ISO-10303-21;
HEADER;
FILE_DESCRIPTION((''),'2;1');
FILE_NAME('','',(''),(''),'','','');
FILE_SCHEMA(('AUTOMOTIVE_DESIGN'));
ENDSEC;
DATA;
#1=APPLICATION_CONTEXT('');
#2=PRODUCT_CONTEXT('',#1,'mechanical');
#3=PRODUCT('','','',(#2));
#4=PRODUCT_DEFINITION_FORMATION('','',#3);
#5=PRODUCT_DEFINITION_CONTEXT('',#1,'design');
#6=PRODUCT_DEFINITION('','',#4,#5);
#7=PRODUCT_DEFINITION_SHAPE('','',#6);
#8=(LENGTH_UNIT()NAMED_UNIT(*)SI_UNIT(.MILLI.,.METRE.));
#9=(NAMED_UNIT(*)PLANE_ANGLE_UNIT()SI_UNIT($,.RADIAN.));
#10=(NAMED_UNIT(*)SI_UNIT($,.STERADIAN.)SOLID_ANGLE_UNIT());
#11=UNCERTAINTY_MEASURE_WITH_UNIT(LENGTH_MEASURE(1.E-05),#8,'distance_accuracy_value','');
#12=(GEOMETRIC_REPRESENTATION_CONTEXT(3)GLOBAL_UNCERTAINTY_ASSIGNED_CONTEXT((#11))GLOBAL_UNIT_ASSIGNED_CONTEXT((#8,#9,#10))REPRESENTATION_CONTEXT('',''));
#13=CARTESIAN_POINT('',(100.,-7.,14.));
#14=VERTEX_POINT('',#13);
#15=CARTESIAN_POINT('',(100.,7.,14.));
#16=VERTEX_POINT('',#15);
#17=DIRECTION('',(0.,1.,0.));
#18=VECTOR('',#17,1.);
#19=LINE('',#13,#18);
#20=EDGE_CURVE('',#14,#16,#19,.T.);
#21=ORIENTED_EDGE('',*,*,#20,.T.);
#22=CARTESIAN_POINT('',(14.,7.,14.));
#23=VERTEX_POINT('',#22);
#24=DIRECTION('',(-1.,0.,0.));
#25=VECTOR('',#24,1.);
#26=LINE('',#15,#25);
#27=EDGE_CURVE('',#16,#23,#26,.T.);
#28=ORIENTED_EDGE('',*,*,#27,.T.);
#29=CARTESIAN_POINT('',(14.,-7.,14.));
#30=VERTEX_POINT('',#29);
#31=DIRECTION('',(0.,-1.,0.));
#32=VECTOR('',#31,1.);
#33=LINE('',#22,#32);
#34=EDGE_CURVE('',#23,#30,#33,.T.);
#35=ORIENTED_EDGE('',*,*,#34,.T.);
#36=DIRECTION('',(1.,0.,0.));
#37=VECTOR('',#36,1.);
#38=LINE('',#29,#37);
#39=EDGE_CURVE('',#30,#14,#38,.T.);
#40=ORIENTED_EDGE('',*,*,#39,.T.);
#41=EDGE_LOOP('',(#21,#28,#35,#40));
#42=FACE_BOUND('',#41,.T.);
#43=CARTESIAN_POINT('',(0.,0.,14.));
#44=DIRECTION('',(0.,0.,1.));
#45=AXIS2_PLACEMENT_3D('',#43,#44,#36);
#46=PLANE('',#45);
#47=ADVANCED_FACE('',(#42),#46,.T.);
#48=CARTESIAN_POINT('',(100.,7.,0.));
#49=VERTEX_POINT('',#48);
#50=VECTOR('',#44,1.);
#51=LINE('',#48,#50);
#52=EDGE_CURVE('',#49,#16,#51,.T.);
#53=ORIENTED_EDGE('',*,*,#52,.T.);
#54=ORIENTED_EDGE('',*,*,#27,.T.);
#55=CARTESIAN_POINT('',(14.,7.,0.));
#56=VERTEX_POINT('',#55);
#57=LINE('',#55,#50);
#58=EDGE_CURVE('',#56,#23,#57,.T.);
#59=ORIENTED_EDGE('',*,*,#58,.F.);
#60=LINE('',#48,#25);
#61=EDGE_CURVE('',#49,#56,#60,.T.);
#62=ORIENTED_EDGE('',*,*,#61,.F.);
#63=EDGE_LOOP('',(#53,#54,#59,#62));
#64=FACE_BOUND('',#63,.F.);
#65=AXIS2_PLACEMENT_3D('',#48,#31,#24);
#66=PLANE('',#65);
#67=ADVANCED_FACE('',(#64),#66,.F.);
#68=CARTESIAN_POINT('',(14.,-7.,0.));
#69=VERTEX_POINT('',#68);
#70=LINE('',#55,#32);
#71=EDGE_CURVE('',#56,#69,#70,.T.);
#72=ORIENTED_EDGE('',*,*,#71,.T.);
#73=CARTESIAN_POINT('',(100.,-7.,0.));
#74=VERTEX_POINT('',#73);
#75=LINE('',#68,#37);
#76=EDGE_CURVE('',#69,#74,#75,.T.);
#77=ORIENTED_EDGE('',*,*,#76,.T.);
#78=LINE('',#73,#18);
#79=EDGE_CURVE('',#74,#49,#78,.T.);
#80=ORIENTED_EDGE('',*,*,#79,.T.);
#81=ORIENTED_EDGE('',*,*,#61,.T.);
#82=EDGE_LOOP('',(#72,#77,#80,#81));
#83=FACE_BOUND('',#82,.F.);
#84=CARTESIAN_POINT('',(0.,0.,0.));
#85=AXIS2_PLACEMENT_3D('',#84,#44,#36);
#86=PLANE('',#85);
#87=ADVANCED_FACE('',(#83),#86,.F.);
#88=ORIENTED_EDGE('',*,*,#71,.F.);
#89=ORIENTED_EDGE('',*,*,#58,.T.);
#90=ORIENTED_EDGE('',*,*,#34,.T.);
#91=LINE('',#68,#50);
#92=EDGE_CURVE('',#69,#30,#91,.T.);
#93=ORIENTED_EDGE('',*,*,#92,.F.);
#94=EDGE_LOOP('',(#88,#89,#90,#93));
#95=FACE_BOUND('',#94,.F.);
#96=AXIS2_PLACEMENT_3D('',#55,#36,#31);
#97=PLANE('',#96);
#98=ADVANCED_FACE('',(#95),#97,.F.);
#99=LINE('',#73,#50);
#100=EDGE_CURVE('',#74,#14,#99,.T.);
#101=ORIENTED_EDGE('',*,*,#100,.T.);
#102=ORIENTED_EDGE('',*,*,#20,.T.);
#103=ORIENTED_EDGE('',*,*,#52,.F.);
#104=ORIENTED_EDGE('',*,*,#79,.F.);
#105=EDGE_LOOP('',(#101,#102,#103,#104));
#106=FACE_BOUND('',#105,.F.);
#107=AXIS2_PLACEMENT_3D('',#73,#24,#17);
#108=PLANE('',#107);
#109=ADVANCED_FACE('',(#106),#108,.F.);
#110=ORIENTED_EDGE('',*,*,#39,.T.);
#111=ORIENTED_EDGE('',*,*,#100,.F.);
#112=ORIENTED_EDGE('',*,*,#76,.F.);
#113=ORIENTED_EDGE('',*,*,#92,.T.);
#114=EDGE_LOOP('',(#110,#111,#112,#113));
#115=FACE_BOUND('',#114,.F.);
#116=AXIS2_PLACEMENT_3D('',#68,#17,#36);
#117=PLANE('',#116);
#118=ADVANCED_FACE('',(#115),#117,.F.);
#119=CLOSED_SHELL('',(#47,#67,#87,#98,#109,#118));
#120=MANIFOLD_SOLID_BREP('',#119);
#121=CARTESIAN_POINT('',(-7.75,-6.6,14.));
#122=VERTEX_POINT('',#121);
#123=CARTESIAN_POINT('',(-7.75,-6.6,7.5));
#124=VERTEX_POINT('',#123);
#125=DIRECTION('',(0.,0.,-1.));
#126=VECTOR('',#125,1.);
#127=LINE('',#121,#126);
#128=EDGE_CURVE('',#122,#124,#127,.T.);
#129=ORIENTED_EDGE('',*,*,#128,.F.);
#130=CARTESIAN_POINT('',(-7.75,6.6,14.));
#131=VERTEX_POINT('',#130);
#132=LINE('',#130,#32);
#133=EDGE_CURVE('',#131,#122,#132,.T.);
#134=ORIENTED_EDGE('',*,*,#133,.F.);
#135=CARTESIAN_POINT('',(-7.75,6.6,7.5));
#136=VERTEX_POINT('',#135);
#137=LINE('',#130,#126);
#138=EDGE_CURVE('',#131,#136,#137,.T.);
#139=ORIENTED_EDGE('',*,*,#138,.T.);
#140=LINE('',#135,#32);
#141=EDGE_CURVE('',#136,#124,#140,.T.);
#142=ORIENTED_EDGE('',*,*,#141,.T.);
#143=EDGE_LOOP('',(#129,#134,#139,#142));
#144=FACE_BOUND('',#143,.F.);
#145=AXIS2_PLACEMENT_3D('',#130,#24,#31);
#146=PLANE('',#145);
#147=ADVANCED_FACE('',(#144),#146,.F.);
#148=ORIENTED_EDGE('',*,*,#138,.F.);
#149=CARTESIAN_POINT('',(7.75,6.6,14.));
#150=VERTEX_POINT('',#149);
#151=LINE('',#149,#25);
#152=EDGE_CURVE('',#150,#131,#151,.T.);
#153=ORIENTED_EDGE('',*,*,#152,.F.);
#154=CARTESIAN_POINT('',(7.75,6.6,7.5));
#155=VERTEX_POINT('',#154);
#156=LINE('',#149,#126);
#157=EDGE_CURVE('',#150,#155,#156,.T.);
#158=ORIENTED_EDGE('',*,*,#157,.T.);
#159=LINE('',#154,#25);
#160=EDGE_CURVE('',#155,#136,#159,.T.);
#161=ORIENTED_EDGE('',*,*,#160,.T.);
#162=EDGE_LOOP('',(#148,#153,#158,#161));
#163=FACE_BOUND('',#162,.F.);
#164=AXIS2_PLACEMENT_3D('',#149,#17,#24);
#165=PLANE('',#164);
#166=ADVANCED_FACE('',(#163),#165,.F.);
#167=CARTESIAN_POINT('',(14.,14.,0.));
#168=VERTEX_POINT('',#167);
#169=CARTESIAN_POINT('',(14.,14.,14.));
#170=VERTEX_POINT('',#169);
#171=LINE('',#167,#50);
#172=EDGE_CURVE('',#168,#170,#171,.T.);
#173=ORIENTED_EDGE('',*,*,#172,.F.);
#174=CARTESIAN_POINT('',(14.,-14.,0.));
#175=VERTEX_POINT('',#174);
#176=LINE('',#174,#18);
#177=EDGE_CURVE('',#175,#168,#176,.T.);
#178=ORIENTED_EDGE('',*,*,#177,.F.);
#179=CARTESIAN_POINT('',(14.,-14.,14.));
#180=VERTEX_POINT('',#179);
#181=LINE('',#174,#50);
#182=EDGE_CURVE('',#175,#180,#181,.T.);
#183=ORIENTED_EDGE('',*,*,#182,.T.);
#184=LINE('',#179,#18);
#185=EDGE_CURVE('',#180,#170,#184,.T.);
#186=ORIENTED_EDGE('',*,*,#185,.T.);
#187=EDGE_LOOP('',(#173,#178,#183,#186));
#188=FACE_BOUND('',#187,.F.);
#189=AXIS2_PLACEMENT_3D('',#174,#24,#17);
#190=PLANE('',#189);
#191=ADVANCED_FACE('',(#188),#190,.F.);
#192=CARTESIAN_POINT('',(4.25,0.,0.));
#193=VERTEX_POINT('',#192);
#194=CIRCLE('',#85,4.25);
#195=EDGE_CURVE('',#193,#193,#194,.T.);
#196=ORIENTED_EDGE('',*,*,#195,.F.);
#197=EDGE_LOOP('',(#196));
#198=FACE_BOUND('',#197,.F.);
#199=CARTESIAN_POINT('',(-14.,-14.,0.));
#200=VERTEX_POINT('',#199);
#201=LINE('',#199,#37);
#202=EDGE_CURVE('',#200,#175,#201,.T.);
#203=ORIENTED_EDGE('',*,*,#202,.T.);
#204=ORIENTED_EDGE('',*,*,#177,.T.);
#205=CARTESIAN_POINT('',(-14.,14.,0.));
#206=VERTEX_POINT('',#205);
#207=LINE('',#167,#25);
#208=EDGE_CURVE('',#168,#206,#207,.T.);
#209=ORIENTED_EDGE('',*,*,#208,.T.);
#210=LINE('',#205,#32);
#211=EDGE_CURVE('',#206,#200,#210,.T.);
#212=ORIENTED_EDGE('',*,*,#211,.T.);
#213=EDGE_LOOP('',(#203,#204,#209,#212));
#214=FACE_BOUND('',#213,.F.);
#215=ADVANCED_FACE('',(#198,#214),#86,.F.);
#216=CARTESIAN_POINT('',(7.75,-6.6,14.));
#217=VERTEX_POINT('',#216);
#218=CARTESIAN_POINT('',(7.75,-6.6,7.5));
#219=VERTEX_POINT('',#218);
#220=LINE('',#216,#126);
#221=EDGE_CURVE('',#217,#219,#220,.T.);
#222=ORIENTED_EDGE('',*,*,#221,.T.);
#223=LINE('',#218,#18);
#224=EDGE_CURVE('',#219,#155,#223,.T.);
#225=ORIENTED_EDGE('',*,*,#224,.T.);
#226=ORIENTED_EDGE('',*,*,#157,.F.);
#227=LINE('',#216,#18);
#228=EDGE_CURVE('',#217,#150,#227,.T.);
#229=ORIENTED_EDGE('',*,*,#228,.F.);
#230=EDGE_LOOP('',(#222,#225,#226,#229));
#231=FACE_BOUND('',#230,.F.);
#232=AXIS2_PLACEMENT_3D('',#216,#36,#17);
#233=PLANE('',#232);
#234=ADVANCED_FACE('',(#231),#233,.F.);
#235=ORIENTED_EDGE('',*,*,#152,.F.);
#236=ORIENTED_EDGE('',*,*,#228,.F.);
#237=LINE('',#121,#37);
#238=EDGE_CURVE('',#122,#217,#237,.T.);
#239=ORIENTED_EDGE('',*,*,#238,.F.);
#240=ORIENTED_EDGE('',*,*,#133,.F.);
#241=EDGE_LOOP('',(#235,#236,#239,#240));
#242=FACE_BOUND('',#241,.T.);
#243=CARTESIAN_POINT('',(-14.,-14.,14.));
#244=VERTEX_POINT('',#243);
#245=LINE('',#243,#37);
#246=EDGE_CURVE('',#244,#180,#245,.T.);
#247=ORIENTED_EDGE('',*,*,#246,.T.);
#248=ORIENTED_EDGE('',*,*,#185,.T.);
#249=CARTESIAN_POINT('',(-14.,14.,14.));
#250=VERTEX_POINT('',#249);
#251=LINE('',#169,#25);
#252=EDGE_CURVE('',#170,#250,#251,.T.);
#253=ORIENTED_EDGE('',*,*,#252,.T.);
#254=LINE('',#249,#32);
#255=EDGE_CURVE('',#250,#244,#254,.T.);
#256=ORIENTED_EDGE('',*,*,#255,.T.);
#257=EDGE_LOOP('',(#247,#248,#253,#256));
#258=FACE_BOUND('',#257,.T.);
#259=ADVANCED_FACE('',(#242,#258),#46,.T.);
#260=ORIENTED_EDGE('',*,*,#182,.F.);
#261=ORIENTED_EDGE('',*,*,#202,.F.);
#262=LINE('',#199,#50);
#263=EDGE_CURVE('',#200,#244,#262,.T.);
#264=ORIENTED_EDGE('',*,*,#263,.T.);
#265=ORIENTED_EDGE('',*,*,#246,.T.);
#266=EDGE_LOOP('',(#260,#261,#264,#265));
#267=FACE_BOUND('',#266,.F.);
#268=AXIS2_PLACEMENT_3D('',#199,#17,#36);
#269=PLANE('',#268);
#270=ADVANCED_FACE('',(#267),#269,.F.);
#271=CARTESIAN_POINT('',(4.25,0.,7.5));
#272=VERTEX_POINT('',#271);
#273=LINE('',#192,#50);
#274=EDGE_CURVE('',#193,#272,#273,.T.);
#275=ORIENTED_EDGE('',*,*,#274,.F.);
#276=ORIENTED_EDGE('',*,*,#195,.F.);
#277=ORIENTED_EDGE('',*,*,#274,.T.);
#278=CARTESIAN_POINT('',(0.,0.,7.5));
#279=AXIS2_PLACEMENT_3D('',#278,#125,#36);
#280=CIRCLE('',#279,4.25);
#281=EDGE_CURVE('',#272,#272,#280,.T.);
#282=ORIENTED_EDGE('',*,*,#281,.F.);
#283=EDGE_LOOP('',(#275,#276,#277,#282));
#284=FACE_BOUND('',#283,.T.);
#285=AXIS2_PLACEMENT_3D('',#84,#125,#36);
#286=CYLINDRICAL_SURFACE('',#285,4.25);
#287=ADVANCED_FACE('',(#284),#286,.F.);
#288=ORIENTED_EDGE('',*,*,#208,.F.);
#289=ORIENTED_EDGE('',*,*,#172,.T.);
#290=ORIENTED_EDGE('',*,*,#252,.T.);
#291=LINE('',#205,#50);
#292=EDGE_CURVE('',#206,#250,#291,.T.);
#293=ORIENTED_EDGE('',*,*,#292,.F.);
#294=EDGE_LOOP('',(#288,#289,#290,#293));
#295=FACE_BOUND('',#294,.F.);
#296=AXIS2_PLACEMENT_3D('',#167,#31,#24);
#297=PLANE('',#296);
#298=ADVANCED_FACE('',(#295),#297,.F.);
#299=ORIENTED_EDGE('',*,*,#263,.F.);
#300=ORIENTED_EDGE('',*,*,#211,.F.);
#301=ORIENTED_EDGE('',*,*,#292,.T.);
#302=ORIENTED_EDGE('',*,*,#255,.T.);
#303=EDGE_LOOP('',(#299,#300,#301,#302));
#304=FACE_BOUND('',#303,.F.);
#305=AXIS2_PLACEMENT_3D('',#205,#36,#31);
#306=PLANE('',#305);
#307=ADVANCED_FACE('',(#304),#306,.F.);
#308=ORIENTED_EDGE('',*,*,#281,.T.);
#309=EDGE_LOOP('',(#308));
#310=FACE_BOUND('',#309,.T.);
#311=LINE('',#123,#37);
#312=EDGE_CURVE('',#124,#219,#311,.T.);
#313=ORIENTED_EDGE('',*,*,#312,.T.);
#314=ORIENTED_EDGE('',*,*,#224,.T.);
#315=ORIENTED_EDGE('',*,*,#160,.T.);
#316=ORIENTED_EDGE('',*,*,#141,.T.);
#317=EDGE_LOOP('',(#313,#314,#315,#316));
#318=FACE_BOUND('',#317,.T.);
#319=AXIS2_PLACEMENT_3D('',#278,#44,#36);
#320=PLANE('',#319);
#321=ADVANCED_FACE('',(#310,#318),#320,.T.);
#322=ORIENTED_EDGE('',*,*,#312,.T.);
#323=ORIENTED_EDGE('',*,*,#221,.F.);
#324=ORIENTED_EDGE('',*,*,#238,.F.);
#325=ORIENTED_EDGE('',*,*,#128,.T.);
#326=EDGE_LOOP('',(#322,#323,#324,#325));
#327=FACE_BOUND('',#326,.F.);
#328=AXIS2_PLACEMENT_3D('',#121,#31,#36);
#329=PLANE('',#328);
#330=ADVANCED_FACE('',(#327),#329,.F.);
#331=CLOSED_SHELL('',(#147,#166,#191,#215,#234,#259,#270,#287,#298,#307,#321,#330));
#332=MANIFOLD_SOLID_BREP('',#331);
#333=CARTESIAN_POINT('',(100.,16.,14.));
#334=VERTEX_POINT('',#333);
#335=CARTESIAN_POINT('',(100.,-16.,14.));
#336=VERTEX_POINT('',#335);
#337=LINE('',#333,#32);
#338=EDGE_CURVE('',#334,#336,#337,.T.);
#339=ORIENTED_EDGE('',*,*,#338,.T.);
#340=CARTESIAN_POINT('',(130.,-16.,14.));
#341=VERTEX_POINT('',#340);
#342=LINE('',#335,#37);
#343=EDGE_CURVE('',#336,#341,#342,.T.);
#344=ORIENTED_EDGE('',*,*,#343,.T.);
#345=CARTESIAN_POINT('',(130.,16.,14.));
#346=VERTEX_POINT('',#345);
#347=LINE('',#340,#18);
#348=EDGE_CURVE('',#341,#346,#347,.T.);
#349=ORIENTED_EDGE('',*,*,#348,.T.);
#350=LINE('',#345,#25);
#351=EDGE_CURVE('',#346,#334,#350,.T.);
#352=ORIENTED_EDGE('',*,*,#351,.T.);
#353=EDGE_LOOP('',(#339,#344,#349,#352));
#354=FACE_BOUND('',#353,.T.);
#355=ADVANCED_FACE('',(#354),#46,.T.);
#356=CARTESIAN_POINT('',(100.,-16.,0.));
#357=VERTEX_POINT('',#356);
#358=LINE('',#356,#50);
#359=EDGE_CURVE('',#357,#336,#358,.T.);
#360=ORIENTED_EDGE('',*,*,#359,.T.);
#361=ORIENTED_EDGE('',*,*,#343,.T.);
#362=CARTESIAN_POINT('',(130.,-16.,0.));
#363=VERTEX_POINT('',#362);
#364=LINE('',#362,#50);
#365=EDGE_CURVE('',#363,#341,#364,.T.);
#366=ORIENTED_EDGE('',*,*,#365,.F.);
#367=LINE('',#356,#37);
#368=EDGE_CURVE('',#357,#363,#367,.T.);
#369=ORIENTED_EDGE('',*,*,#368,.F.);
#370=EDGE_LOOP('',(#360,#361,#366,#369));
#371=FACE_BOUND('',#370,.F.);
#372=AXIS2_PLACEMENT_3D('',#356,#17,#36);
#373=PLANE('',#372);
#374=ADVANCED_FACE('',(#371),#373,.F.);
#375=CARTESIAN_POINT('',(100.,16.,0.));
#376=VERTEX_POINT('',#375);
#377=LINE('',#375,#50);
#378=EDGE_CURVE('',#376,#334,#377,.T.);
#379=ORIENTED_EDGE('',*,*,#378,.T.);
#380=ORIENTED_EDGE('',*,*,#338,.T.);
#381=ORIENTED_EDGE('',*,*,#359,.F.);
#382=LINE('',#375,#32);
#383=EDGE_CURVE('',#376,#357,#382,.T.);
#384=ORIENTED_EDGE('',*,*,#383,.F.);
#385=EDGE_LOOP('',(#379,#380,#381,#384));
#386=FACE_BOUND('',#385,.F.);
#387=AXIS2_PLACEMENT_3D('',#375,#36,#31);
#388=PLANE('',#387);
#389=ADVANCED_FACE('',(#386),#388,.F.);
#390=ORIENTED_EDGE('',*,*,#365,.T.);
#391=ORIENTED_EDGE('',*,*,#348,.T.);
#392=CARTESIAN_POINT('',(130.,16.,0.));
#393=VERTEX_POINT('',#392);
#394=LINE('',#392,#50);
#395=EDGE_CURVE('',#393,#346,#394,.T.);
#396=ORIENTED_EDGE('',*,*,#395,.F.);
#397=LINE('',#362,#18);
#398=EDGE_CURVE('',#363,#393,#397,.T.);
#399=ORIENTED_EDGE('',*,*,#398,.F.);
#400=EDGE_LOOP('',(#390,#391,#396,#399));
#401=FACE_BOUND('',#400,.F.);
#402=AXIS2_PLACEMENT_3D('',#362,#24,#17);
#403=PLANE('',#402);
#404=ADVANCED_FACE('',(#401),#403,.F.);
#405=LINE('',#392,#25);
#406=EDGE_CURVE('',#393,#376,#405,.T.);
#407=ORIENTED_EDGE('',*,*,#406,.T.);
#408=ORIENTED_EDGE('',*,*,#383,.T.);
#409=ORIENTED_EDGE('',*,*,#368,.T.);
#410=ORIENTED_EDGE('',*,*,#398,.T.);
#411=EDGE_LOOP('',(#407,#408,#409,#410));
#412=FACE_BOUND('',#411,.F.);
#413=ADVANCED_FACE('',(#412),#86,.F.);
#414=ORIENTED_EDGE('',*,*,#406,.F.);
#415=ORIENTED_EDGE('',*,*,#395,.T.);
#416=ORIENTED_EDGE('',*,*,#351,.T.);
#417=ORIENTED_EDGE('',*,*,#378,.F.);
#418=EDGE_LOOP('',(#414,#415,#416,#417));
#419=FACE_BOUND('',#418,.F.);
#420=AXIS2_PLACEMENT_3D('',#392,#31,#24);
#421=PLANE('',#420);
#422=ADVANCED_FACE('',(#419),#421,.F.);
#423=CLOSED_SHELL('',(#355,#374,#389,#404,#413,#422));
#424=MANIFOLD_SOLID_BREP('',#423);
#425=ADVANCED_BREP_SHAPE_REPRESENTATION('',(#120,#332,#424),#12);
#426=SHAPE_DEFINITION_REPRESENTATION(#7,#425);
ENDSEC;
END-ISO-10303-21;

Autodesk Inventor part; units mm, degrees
ref_plane "YZ Plane" through (0, 0, 0) normal (1, 0, 0) x (0, 1, 0)
sketch "Skizze1" plane through (0, 0, 0) normal (0, 0, 1) x (1, 0, 0)
  line L0 (-14, -14) -> (14, -14)
  line L1 (14, -14) -> (14, 14)
  line L2 (14, 14) -> (-14, 14)
  line L3 (-14, 14) -> (-14, -14)
extrude "Extrusion1" add sketch "Skizze1" along normal blind 14
sketch "Skizze2" plane through (0, 0, 0) normal (0, 0, 1) x (1, 0, 0)
  line L0 (14, -7) -> (100, -7)
  line L1 (100, -7) -> (100, 7)
  line L2 (100, 7) -> (14, 7)
  line L3 (14, 7) -> (14, -7)
extrude "Extrusion2" add sketch "Skizze2" along normal blind 14 separate body
sketch "Skizze3" plane through (0, 0, 0) normal (0, 0, 1) x (1, 0, 0)
  line L0 (100, -16) -> (130, -16)
  line L1 (130, -16) -> (130, 16)
  line L2 (130, 16) -> (100, 16)
  line L3 (100, 16) -> (100, -16)
extrude "Extrusion3" add sketch "Skizze3" along normal blind 14 separate body
sketch "Skizze4" plane through (0, 0, 0) normal (0, 0, 1) x (1, 0, 0)
  circle A0 centre (0, 0) radius 4.25
extrude "Extrusion4" cut sketch "Skizze4" along normal blind 15 bodies 1
ref_plane "Arbeitsebene1" through (0, 0, 14) normal (0, 0, 1) x (1, 0, 0)
sketch "Skizze5" plane through (0, 0, 14) normal (0, 0, 1) x (1, 0, 0)
  line L0 (-7.75, -6.6) -> (7.75, -6.6)
  line L1 (7.75, -6.6) -> (7.75, 6.6)
  line L2 (7.75, 6.6) -> (-7.75, 6.6)
  line L3 (-7.75, 6.6) -> (-7.75, -6.6)
extrude "Extrusion5" cut sketch "Skizze5" against normal blind 6.5 bodies 1
sketch "Skizze6" plane through (0, 0, 0) normal (0, 0, 1) x (1, 0, 0)
  line L0 (110.25, -7.75) -> (119.75, -7.75)
  line L1 (119.75, -7.75) -> (119.75, 7.75)
  line L2 (119.75, 7.75) -> (110.25, 7.75)
  line L3 (110.25, 7.75) -> (110.25, -7.75)
extrude "Extrusion6" cut sketch "Skizze6" along normal blind 3 bodies 1
sketch "Skizze7" plane through (0, 0, 0) normal (0, 0, 1) x (1, 0, 0)
  circle A0 centre (115, 0) radius 3
extrude "Extrusion7" cut sketch "Skizze7" along normal blind 15 bodies 1
sketch "Skizze8" plane through (0, 0, 0) normal (0, 0, 1) x (1, 0, 0)
  circle A0 centre (105, 0) radius 1.1
  circle A1 centre (125, 0) radius 1.1
extrude "Extrusion8" cut sketch "Skizze8" along normal blind 15 bodies 1
ref_plane "Arbeitsebene2" through (0, 16, 0) normal (0, 1, 0) x (-1, 0, 0)
sketch "Skizze9" plane through (0, 16, 0) normal (0, 1, 0) x (-1, 0, 0)
  line L0 (107.25, 2.25) -> (122.75, 2.25)
  line L1 (122.75, 2.25) -> (122.75, 11.75)
  line L2 (122.75, 11.75) -> (107.25, 11.75)
  line L3 (107.25, 11.75) -> (107.25, 2.25)
extrude "Extrusion9" cut sketch "Skizze9" against normal blind 3 bodies 1
sketch "Skizze10" plane through (0, 16, 0) normal (0, 1, 0) x (-1, 0, 0)
  circle A0 centre (115, 7) radius 3
extrude "Extrusion10" cut sketch "Skizze10" along normal mid plane 33 bodies 1
sketch "Skizze11" plane through (0, 16, 0) normal (0, 1, 0) x (-1, 0, 0)
  circle A0 centre (105, 7) radius 1.1
  circle A1 centre (125, 7) radius 1.1
extrude "Extrusion11" cut sketch "Skizze11" along normal mid plane 33 bodies 1
properties part number "Sensorarm_v2"
